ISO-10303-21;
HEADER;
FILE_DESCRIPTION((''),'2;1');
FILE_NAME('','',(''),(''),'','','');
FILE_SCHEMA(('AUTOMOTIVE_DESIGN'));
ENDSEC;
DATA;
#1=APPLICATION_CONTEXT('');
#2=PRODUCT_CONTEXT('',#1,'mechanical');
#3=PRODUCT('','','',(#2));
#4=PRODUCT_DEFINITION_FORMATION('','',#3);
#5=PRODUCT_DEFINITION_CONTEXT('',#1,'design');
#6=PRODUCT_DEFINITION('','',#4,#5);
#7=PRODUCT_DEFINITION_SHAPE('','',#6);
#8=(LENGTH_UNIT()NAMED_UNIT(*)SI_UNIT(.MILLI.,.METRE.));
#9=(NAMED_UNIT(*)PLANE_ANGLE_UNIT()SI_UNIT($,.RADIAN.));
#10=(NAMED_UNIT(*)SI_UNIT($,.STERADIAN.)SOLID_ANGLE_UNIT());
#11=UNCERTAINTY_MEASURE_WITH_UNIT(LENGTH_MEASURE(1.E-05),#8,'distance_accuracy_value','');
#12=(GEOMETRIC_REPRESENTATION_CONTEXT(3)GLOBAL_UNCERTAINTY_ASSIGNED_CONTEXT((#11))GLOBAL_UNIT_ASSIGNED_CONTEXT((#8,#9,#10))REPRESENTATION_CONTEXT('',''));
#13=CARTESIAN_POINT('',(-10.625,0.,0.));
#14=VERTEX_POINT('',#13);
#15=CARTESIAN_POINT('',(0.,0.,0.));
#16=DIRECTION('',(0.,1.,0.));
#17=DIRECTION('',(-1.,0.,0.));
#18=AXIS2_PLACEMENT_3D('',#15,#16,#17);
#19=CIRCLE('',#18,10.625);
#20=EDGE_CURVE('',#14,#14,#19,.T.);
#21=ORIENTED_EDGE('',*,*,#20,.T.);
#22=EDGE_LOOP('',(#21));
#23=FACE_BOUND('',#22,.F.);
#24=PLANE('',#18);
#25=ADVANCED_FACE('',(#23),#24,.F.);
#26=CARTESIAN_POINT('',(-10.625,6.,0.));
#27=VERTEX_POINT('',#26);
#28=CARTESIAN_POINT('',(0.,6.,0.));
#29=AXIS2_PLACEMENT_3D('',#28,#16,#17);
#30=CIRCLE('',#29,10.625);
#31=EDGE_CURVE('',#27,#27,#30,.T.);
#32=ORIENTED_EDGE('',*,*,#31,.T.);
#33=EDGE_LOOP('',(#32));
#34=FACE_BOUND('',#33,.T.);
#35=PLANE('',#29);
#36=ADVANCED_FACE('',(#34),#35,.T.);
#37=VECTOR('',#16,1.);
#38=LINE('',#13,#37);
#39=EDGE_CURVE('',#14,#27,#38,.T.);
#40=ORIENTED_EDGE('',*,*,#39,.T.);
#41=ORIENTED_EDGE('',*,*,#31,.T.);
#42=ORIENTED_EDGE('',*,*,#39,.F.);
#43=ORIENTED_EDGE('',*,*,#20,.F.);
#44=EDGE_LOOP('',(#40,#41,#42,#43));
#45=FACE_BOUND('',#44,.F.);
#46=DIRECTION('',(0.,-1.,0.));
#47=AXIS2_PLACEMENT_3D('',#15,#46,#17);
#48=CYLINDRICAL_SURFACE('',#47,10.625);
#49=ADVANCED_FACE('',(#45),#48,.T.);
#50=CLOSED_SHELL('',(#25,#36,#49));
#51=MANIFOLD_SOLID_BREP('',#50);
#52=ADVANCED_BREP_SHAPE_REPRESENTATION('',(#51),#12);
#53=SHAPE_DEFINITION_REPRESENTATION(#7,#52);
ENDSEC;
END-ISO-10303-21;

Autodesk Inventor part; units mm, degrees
ref_plane "YZ Plane" through (0, 0, 0) normal (1, 0, 0) x (0, 1, 0)
ref_plane "XZ Plane" through (0, 0, 0) normal (0, 1, 0) x (-1, 0, 0)
ref_plane "XY Plane" through (0, 0, 0) normal (0, 0, 1) x (1, 0, 0)
sketch "Sketch1" plane through (0, 0, 0) normal (0, 1, 0) x (-1, 0, 0)
  circle A0 centre (0, 0) radius 10.625
  dimension "d0" = 21.25
extrude "Extrusion1" add sketch "Sketch1" along normal blind 6
properties part number "dummy nickle spacer"
